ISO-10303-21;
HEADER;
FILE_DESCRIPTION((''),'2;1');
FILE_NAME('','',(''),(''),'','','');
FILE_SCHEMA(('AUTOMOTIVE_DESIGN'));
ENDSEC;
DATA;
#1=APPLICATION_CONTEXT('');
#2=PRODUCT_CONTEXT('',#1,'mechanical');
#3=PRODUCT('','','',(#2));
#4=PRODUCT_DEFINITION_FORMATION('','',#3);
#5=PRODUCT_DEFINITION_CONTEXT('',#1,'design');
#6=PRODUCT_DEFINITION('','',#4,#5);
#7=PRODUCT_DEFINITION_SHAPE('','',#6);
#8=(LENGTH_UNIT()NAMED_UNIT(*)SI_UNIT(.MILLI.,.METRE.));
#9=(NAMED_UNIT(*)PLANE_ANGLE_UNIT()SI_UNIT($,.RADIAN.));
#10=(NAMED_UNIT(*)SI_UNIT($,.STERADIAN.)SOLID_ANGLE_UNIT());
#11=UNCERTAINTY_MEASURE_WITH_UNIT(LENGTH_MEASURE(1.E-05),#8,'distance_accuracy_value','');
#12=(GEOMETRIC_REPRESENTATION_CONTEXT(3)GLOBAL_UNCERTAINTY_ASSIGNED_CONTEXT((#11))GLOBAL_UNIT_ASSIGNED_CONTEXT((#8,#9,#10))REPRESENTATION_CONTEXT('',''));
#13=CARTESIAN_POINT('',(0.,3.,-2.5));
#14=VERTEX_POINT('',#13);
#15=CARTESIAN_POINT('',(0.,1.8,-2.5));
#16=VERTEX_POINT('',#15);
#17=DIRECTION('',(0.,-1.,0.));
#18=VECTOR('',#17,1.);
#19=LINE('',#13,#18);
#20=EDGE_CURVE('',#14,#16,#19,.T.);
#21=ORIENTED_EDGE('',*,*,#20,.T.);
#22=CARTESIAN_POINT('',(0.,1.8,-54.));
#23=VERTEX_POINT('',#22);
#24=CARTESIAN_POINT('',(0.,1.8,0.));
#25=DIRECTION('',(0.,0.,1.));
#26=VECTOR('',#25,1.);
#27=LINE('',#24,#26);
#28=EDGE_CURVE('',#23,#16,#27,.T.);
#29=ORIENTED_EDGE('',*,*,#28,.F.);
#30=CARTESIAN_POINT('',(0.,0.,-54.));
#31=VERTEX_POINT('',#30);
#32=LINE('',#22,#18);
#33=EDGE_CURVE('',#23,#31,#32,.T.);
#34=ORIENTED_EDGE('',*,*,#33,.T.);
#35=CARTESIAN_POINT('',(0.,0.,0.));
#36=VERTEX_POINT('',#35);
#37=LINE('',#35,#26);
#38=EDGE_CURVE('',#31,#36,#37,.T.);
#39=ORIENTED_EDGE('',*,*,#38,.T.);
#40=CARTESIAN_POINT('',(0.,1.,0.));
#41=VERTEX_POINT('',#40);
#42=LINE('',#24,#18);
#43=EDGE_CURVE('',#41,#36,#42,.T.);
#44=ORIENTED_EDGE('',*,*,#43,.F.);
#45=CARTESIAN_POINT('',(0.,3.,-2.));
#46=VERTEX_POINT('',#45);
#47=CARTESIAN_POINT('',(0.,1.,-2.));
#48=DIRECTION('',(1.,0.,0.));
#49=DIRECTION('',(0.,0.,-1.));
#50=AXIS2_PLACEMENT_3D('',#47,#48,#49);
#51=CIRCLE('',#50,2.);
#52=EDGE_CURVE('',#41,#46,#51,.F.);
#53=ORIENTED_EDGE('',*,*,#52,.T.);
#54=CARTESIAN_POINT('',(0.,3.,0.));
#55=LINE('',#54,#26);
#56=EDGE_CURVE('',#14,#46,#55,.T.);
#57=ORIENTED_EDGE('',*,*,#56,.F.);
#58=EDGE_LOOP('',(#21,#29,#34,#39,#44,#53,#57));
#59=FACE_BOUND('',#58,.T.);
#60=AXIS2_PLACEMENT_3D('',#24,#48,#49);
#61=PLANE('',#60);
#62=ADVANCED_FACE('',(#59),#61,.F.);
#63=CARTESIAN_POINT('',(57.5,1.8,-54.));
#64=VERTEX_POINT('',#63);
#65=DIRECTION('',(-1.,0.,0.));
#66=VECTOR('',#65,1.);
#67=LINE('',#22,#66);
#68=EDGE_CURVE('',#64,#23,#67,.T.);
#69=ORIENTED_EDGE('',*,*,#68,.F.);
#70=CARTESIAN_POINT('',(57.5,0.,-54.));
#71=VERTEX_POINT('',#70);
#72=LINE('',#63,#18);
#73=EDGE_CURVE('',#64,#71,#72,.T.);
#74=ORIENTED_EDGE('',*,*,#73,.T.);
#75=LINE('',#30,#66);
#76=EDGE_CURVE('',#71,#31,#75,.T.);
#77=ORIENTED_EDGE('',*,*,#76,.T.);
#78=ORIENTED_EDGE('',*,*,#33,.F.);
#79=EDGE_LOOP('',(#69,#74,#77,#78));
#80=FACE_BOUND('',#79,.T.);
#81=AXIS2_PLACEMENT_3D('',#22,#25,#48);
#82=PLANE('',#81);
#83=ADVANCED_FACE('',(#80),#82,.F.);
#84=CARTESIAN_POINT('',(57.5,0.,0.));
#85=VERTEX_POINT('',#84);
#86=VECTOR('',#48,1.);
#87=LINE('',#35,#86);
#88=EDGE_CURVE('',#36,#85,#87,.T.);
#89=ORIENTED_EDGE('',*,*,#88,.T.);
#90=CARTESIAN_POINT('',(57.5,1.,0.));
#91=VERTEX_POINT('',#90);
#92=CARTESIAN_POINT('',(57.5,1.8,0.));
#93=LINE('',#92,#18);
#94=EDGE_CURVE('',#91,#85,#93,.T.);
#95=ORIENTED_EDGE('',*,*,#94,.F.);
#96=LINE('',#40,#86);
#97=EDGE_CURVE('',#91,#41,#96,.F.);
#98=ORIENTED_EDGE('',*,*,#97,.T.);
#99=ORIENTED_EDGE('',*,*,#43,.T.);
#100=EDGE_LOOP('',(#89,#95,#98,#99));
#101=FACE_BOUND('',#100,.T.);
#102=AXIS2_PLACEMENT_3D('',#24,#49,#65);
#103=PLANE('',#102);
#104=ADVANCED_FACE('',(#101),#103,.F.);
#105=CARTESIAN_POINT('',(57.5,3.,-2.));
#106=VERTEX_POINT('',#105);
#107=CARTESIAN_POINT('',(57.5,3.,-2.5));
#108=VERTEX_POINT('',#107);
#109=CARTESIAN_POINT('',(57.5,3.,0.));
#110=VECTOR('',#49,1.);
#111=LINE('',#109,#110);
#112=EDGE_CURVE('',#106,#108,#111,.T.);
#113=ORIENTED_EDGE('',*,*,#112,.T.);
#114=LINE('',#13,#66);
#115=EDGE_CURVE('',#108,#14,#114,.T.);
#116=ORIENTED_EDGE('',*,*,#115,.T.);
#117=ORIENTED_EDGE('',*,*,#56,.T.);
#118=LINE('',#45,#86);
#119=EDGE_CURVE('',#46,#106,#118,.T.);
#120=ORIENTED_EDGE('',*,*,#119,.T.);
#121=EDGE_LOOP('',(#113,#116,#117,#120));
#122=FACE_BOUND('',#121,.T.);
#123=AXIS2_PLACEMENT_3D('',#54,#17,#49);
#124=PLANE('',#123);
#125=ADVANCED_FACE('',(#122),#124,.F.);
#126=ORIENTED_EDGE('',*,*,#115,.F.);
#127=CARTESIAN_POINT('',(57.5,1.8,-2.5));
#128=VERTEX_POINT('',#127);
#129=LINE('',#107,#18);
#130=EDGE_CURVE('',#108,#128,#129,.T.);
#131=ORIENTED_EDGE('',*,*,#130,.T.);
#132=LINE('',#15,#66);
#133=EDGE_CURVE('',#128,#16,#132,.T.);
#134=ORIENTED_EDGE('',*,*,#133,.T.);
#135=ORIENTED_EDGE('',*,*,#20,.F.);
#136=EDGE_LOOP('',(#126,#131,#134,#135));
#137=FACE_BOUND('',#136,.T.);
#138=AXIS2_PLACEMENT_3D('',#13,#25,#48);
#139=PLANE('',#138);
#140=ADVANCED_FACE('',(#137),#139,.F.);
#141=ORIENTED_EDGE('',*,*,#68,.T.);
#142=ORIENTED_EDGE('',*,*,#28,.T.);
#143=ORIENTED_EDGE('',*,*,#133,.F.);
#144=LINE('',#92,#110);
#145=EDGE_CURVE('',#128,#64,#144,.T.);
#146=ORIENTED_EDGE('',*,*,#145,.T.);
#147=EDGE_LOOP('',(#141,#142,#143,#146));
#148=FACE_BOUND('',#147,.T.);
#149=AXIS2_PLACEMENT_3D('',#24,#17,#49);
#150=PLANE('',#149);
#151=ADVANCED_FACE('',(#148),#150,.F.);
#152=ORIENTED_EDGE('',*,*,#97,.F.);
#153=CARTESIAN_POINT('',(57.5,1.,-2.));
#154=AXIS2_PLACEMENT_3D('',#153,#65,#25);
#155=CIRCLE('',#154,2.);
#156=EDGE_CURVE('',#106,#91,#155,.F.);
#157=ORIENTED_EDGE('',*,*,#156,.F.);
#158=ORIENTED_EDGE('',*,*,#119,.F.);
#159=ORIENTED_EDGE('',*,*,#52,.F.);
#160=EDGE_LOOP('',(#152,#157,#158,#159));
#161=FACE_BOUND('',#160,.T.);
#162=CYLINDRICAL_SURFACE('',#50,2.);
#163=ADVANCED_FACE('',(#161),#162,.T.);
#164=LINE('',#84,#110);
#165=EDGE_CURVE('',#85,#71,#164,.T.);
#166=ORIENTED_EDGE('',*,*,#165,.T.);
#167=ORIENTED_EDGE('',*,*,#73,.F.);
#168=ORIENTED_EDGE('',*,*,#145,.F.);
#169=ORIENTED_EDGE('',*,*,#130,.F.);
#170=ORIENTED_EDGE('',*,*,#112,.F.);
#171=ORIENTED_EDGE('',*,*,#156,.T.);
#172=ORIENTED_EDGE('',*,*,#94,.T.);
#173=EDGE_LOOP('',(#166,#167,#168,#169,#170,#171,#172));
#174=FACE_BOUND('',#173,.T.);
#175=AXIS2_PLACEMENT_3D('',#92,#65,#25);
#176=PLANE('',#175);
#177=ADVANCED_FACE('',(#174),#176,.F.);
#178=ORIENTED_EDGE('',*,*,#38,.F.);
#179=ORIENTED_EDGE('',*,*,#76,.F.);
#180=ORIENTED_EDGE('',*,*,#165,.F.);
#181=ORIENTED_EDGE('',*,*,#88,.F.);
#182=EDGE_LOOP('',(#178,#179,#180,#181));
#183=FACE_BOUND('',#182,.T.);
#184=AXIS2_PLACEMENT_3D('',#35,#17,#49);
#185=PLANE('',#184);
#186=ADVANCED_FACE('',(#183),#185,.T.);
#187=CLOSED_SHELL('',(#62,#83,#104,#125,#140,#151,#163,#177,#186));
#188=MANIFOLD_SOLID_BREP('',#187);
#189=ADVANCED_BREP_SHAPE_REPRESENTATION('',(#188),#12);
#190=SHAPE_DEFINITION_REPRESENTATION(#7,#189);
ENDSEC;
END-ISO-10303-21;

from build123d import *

# Parameters (mm, degrees)
SKETCH2_W           = 57.5
SKETCH2_H           = 54
BOSS_EXTRUDE1_DEPTH = 1.8
SKETCH3_W           = 57.5
SKETCH3_H           = 2.5
BOSS_EXTRUDE2_DEPTH = 1.2
FILLET1_R           = 2


with BuildPart() as part:
    # Sketch2 → Boss-Extrude1 (new body)
    with BuildSketch(Plane(origin=(0, 0, 0), x_dir=(1, 0, 0), z_dir=(0, 1, 0))):
        with Locations((28.75, 27)):
            Rectangle(SKETCH2_W, SKETCH2_H)
    extrude(amount=BOSS_EXTRUDE1_DEPTH)

    # Sketch3 → Boss-Extrude2 (add)
    with BuildSketch(Plane(origin=(0, 1.8, 0), x_dir=(1, 0, 0), z_dir=(0, 1, 0))):
        with Locations((28.75, 1.25)):
            Rectangle(SKETCH3_W, SKETCH3_H)
    extrude(amount=BOSS_EXTRUDE2_DEPTH)

    # Fillet1
    fillet1_edges = [part.edges().sort_by_distance(p)[0] for p in [
        (28.75, 3, 0),
    ]]
    fillet(fillet1_edges, radius=FILLET1_R)


solid = part.part
